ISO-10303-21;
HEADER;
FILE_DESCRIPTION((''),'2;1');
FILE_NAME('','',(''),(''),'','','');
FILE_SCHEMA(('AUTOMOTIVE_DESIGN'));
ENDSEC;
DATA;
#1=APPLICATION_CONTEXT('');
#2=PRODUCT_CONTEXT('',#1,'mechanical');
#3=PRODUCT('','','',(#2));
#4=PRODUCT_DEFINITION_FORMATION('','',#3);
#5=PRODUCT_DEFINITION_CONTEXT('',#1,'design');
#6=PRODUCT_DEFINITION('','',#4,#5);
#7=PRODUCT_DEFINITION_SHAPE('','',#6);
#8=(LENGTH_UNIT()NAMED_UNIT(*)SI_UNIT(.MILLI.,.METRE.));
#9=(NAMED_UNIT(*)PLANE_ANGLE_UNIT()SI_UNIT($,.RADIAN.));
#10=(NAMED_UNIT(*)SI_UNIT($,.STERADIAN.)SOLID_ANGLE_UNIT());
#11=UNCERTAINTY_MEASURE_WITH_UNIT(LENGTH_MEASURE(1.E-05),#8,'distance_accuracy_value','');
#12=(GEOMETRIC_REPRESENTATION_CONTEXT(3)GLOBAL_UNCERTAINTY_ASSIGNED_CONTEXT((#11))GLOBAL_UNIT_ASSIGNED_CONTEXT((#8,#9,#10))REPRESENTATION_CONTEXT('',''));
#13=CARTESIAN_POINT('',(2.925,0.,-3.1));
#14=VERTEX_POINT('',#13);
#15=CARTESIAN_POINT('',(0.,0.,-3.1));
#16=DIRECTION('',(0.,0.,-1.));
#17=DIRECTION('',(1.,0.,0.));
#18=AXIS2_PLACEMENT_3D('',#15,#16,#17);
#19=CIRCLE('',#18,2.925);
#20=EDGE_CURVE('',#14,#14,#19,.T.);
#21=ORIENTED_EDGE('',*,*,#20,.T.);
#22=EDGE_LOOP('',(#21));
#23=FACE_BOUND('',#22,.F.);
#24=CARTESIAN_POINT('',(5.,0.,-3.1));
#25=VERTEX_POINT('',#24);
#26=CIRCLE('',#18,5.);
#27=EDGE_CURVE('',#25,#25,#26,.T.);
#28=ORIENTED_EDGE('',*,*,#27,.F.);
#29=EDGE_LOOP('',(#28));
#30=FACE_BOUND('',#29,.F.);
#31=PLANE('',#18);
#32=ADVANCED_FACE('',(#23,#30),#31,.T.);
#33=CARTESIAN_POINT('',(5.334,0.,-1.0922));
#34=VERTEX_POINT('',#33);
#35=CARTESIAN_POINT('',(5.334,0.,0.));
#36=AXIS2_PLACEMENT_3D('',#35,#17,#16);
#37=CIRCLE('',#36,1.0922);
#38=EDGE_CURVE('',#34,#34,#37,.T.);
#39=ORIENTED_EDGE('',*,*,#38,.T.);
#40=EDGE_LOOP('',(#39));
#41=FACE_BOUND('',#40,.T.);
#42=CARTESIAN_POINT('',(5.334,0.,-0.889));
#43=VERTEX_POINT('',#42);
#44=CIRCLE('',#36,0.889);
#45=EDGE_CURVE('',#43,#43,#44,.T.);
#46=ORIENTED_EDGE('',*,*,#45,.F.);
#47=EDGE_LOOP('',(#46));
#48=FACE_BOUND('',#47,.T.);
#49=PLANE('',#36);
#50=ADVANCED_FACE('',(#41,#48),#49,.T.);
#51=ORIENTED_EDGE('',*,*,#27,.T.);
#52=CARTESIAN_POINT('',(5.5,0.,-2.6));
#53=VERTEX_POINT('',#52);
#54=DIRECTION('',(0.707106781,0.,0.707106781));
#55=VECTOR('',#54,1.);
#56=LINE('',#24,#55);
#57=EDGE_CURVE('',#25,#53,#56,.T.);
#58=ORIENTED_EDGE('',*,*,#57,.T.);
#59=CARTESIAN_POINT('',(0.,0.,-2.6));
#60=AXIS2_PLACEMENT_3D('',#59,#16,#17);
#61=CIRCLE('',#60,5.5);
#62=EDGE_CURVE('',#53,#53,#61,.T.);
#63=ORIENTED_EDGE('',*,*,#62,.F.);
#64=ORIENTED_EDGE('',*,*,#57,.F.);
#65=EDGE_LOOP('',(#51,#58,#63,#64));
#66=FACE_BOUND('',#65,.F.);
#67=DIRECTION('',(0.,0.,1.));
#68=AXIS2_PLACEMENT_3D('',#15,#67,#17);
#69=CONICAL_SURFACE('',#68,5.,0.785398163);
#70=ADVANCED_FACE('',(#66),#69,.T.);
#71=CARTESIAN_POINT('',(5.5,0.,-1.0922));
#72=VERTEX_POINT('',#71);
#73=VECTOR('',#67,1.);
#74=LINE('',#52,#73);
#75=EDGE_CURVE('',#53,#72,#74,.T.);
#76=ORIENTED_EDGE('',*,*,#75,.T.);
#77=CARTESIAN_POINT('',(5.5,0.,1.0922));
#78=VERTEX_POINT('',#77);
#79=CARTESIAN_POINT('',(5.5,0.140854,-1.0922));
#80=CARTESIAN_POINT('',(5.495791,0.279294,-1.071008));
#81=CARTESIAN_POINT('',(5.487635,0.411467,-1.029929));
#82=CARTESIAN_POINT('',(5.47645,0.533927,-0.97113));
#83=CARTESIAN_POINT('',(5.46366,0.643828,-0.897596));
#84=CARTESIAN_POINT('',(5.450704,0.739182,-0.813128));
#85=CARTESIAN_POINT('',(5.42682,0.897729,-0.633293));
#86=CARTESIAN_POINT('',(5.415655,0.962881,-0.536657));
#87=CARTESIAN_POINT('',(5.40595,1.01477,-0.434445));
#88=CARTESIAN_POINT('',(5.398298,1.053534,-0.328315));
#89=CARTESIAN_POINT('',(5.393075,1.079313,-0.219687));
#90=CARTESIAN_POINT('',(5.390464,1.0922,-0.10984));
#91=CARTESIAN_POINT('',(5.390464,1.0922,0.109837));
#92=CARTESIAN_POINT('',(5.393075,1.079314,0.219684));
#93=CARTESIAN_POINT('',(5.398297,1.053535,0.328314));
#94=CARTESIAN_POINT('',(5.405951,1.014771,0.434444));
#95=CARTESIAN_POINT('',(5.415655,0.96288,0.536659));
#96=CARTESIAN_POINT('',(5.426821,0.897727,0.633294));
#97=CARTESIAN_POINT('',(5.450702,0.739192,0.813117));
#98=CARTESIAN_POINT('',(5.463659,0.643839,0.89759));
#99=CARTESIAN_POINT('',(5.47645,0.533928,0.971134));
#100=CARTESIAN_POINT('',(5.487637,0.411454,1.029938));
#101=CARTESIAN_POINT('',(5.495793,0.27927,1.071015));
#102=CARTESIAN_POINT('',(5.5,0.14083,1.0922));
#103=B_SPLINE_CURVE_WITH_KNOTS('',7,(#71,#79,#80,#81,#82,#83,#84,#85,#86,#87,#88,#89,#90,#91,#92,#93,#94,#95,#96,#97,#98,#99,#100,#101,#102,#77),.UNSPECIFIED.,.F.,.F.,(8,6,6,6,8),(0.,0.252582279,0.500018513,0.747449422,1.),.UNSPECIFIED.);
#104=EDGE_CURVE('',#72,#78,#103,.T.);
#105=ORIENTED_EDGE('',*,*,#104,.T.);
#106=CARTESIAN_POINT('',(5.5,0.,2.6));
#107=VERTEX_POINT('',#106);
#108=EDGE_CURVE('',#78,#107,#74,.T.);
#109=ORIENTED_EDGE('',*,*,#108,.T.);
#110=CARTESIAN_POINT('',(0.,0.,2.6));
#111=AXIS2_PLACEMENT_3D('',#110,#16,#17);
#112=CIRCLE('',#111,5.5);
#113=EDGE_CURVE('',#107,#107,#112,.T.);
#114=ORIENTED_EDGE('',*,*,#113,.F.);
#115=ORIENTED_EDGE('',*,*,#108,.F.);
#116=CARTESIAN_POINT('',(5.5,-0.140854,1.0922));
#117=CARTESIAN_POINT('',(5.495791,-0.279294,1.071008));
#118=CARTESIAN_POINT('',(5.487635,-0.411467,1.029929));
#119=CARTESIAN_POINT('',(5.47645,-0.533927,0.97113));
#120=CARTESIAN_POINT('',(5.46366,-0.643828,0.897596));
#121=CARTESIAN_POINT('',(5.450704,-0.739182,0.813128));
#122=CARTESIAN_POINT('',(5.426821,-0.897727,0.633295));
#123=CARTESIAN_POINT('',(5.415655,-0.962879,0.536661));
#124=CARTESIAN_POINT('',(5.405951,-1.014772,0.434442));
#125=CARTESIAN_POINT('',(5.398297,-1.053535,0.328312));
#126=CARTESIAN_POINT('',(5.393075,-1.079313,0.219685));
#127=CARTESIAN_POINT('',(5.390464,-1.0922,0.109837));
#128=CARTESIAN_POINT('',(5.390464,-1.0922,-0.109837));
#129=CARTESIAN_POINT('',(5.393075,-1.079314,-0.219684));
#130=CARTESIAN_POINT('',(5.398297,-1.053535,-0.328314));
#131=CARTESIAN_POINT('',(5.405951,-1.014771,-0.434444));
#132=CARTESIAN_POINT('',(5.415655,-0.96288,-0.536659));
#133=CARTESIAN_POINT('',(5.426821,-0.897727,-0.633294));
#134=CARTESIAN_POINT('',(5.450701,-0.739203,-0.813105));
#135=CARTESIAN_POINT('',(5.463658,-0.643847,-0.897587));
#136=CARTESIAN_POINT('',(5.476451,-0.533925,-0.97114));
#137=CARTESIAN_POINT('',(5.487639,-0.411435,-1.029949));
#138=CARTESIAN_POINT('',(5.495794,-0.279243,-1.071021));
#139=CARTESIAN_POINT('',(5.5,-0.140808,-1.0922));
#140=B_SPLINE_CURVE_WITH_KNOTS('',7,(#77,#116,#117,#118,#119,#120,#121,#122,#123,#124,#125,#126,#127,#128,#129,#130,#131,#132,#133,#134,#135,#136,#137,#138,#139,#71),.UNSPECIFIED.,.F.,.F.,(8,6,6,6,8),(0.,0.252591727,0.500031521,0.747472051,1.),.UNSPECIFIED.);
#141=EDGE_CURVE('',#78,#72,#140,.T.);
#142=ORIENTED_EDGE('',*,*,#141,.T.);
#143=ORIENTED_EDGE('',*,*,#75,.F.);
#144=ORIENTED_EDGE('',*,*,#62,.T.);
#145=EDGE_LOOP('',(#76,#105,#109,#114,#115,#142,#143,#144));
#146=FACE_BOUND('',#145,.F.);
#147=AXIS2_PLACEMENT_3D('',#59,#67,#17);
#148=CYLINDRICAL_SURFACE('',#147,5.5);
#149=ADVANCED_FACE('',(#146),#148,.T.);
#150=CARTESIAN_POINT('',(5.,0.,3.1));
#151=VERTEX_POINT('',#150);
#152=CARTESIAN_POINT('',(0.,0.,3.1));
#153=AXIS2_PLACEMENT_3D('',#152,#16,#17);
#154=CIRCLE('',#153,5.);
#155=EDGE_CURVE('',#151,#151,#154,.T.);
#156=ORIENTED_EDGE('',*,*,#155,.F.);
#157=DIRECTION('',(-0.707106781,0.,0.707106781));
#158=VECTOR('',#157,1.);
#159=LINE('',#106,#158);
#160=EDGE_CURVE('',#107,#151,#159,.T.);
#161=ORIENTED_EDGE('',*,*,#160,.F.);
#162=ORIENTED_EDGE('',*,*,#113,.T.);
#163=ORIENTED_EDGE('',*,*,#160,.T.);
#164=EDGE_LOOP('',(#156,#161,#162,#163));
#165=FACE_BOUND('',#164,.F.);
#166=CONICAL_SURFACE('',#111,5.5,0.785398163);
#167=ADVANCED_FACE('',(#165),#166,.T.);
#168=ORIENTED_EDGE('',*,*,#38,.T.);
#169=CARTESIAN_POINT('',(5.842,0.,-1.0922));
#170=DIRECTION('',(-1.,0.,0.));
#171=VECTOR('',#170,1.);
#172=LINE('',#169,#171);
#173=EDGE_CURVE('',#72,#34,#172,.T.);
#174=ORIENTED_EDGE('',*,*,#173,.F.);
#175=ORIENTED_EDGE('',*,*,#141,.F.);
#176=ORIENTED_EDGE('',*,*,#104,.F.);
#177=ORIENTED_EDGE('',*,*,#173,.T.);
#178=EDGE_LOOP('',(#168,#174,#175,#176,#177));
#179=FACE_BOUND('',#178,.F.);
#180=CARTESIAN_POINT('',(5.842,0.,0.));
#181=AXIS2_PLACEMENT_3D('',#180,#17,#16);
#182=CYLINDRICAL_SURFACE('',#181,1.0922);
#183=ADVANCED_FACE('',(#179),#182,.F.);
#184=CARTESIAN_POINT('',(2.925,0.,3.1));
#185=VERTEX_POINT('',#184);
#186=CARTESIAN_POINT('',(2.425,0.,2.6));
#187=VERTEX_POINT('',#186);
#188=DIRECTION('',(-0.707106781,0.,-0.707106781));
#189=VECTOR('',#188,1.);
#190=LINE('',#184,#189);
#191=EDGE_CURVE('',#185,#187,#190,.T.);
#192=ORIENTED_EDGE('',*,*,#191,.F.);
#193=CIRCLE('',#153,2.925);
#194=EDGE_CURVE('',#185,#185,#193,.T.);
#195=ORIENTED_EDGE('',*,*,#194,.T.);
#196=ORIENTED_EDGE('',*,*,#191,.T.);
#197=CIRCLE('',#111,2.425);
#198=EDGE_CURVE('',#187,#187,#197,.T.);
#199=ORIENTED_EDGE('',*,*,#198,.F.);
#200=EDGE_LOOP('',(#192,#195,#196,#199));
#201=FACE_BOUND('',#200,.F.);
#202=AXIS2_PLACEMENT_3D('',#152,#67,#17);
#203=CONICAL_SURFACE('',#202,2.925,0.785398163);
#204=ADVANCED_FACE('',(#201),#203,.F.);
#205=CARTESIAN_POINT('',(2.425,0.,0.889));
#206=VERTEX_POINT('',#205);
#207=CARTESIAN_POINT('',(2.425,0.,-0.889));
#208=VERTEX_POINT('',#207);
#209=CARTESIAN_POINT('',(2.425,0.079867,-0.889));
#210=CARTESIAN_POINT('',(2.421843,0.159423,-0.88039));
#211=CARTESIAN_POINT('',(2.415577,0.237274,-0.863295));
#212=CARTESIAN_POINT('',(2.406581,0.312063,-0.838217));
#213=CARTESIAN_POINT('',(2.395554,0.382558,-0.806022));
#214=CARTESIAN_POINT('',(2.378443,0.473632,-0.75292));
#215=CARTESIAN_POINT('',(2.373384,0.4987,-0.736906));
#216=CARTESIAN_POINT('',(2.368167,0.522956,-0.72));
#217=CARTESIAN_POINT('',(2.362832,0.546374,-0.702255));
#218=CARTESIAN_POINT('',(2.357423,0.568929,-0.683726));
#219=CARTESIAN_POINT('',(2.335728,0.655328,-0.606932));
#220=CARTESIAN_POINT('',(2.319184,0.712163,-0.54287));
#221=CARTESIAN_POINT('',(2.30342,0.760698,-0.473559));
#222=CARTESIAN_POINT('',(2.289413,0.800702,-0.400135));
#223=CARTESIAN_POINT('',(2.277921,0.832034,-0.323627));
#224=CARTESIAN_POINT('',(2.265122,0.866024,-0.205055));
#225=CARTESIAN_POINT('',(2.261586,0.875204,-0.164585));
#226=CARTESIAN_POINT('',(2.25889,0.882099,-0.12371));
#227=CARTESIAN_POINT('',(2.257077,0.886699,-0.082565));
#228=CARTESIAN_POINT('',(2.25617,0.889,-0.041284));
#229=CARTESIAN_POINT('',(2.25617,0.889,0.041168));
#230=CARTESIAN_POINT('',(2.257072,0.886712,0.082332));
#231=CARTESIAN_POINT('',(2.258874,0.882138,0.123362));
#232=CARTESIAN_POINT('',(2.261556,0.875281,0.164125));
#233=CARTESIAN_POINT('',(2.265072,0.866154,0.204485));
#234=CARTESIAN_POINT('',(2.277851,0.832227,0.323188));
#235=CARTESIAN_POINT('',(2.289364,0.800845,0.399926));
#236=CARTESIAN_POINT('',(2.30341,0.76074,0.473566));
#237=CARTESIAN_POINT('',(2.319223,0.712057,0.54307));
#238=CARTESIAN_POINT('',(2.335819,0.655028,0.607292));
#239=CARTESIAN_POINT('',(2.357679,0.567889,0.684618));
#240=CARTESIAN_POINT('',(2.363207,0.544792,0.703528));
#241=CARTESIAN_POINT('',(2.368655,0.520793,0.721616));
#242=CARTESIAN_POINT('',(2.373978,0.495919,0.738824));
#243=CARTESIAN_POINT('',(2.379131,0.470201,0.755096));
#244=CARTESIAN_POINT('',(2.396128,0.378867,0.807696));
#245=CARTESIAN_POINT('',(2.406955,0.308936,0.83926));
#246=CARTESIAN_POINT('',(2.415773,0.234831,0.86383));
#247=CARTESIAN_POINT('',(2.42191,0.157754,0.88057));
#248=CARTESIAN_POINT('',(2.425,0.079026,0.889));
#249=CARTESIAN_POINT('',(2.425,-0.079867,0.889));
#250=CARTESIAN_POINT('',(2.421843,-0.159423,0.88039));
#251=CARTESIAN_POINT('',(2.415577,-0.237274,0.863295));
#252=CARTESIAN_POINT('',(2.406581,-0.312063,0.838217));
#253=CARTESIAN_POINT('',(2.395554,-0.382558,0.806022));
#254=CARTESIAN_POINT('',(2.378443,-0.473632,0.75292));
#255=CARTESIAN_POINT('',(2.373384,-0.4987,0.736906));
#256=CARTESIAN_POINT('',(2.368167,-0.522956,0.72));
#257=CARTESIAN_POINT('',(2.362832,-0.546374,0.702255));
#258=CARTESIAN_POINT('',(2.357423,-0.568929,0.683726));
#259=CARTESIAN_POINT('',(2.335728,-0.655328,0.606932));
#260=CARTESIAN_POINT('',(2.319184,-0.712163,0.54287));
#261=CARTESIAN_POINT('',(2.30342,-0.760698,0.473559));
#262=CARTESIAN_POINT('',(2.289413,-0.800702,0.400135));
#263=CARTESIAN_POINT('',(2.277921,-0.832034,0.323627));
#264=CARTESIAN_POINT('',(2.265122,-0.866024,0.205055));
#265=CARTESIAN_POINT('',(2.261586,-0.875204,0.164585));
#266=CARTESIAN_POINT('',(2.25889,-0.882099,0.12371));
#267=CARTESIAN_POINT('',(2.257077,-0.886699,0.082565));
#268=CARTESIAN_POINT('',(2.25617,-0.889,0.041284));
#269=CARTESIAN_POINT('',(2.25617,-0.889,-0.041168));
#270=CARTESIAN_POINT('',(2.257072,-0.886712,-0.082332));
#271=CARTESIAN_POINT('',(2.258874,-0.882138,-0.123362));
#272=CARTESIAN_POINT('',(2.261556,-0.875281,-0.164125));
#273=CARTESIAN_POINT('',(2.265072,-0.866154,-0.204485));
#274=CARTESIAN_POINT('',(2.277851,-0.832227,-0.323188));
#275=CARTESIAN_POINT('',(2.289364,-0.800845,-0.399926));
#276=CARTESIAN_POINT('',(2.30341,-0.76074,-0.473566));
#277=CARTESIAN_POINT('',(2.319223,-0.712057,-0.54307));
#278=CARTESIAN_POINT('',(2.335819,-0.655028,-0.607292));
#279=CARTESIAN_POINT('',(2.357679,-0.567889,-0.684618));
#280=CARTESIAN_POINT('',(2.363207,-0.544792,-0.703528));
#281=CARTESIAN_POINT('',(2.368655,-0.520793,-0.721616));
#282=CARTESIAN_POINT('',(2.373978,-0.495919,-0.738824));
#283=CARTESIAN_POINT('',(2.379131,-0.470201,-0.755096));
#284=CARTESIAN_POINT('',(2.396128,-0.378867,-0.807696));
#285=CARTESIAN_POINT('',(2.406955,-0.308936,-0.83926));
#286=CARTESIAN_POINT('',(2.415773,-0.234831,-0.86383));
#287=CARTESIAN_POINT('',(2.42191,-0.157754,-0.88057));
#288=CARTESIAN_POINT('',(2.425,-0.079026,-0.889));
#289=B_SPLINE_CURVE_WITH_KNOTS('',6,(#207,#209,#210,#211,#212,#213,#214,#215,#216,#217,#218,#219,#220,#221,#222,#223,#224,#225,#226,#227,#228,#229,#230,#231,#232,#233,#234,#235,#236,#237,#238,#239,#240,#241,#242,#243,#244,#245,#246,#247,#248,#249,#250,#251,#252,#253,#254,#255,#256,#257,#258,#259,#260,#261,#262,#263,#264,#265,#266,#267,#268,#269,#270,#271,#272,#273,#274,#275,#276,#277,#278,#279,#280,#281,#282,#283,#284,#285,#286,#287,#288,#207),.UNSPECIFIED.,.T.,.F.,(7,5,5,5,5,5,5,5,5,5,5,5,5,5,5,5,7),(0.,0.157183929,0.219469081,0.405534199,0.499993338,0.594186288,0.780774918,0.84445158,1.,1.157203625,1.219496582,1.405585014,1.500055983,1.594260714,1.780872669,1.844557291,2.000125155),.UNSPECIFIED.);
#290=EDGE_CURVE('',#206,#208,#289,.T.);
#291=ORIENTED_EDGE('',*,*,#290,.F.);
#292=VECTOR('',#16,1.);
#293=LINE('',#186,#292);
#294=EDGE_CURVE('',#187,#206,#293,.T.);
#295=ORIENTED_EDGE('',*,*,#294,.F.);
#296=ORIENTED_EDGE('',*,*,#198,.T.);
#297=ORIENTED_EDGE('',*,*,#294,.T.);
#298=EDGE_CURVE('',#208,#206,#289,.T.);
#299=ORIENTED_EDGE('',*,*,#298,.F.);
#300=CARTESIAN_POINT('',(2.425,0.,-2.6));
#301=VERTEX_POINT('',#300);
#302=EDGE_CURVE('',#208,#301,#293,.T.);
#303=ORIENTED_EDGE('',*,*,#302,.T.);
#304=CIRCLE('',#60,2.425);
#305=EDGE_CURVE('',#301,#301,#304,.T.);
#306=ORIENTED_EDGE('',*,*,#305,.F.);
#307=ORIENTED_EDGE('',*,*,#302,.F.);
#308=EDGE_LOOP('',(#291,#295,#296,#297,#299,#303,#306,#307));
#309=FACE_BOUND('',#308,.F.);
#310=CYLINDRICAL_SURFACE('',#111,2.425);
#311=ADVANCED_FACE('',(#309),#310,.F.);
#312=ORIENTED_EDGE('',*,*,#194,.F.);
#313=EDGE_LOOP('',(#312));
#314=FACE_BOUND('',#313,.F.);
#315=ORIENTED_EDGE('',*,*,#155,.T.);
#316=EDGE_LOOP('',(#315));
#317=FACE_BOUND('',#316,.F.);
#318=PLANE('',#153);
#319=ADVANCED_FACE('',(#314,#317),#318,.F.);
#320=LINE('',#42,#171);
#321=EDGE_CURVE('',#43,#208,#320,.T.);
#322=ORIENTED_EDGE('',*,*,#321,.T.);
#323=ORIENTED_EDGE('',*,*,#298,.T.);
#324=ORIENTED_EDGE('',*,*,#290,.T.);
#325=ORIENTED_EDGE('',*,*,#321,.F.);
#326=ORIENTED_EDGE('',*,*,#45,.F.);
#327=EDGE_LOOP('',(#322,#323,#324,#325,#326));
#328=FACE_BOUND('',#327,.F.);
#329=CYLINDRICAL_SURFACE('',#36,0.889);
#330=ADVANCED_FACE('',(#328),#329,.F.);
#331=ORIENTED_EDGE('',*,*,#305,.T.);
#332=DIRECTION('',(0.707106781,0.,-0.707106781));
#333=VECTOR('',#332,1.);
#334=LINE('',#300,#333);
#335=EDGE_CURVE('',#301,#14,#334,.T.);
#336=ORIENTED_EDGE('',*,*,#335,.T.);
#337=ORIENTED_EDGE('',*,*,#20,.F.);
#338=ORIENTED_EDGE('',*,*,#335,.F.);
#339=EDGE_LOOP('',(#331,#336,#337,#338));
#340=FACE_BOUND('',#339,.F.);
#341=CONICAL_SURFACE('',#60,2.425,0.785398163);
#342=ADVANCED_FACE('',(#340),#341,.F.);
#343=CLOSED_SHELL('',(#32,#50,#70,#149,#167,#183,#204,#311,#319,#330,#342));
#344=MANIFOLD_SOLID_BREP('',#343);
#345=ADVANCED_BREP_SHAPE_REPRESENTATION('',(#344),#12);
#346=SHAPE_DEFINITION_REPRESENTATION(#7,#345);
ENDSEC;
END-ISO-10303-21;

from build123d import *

# Parameters (mm, degrees)
CUT_EXTRUDE1_START         = 5.842
SKETCH4_R                  = 1.0922
CUT_EXTRUDE1_DEPTH         = 0.508
F_2_56_TAPPED_HOLE2_REACH  = 14.539
F_2_56_TAPPED_HOLE2_BORE_R = 0.889


with BuildPart() as part:
    # Sketch1 → Revolve1 (revolve)
    with BuildSketch(Plane(origin=(0, 0, 0), x_dir=(0, 0, -1), z_dir=(1, 0, 0)), mode=Mode.PRIVATE) as revolve1_sk:
        Polygon((-3.1, 5), (-3.1, 2.925), (-2.6, 2.425), (2.6, 2.425), (3.1, 2.925), (3.1, 5), (2.6, 5.5), (-2.6, 5.5), align=None)
    revolve(revolve1_sk.sketch.rotate(Axis((0, 0, 0), (0, 0, -1)), 90), axis=Axis((0, 0, 0), (0, 0, -1)))

    # Sketch4 → Cut-Extrude1 (cut)
    with BuildSketch(Plane(origin=(0, 0, 0), x_dir=(0, 0, -1), z_dir=(1, 0, 0)).offset(CUT_EXTRUDE1_START)):
        Circle(SKETCH4_R)
    extrude(amount=-CUT_EXTRUDE1_DEPTH, mode=Mode.SUBTRACT)

    # #2-56 Tapped Hole2 bore → #2-56 Tapped Hole2 (cut, up to next)
    with BuildSketch(Plane(origin=(5.334, 0, 0), x_dir=(0, 0, -1), z_dir=(1, 0, 0)), mode=Mode.PRIVATE) as f_2_56_tapped_hole2_sk1:
        Circle(F_2_56_TAPPED_HOLE2_BORE_R)
    f_2_56_tapped_hole2_tool1 = extrude(f_2_56_tapped_hole2_sk1.sketch, amount=-F_2_56_TAPPED_HOLE2_REACH, mode=Mode.PRIVATE) & part.part
    add(f_2_56_tapped_hole2_tool1.solids().sort_by_distance((5.334, 0, 0))[0], mode=Mode.SUBTRACT)


solid = part.part
